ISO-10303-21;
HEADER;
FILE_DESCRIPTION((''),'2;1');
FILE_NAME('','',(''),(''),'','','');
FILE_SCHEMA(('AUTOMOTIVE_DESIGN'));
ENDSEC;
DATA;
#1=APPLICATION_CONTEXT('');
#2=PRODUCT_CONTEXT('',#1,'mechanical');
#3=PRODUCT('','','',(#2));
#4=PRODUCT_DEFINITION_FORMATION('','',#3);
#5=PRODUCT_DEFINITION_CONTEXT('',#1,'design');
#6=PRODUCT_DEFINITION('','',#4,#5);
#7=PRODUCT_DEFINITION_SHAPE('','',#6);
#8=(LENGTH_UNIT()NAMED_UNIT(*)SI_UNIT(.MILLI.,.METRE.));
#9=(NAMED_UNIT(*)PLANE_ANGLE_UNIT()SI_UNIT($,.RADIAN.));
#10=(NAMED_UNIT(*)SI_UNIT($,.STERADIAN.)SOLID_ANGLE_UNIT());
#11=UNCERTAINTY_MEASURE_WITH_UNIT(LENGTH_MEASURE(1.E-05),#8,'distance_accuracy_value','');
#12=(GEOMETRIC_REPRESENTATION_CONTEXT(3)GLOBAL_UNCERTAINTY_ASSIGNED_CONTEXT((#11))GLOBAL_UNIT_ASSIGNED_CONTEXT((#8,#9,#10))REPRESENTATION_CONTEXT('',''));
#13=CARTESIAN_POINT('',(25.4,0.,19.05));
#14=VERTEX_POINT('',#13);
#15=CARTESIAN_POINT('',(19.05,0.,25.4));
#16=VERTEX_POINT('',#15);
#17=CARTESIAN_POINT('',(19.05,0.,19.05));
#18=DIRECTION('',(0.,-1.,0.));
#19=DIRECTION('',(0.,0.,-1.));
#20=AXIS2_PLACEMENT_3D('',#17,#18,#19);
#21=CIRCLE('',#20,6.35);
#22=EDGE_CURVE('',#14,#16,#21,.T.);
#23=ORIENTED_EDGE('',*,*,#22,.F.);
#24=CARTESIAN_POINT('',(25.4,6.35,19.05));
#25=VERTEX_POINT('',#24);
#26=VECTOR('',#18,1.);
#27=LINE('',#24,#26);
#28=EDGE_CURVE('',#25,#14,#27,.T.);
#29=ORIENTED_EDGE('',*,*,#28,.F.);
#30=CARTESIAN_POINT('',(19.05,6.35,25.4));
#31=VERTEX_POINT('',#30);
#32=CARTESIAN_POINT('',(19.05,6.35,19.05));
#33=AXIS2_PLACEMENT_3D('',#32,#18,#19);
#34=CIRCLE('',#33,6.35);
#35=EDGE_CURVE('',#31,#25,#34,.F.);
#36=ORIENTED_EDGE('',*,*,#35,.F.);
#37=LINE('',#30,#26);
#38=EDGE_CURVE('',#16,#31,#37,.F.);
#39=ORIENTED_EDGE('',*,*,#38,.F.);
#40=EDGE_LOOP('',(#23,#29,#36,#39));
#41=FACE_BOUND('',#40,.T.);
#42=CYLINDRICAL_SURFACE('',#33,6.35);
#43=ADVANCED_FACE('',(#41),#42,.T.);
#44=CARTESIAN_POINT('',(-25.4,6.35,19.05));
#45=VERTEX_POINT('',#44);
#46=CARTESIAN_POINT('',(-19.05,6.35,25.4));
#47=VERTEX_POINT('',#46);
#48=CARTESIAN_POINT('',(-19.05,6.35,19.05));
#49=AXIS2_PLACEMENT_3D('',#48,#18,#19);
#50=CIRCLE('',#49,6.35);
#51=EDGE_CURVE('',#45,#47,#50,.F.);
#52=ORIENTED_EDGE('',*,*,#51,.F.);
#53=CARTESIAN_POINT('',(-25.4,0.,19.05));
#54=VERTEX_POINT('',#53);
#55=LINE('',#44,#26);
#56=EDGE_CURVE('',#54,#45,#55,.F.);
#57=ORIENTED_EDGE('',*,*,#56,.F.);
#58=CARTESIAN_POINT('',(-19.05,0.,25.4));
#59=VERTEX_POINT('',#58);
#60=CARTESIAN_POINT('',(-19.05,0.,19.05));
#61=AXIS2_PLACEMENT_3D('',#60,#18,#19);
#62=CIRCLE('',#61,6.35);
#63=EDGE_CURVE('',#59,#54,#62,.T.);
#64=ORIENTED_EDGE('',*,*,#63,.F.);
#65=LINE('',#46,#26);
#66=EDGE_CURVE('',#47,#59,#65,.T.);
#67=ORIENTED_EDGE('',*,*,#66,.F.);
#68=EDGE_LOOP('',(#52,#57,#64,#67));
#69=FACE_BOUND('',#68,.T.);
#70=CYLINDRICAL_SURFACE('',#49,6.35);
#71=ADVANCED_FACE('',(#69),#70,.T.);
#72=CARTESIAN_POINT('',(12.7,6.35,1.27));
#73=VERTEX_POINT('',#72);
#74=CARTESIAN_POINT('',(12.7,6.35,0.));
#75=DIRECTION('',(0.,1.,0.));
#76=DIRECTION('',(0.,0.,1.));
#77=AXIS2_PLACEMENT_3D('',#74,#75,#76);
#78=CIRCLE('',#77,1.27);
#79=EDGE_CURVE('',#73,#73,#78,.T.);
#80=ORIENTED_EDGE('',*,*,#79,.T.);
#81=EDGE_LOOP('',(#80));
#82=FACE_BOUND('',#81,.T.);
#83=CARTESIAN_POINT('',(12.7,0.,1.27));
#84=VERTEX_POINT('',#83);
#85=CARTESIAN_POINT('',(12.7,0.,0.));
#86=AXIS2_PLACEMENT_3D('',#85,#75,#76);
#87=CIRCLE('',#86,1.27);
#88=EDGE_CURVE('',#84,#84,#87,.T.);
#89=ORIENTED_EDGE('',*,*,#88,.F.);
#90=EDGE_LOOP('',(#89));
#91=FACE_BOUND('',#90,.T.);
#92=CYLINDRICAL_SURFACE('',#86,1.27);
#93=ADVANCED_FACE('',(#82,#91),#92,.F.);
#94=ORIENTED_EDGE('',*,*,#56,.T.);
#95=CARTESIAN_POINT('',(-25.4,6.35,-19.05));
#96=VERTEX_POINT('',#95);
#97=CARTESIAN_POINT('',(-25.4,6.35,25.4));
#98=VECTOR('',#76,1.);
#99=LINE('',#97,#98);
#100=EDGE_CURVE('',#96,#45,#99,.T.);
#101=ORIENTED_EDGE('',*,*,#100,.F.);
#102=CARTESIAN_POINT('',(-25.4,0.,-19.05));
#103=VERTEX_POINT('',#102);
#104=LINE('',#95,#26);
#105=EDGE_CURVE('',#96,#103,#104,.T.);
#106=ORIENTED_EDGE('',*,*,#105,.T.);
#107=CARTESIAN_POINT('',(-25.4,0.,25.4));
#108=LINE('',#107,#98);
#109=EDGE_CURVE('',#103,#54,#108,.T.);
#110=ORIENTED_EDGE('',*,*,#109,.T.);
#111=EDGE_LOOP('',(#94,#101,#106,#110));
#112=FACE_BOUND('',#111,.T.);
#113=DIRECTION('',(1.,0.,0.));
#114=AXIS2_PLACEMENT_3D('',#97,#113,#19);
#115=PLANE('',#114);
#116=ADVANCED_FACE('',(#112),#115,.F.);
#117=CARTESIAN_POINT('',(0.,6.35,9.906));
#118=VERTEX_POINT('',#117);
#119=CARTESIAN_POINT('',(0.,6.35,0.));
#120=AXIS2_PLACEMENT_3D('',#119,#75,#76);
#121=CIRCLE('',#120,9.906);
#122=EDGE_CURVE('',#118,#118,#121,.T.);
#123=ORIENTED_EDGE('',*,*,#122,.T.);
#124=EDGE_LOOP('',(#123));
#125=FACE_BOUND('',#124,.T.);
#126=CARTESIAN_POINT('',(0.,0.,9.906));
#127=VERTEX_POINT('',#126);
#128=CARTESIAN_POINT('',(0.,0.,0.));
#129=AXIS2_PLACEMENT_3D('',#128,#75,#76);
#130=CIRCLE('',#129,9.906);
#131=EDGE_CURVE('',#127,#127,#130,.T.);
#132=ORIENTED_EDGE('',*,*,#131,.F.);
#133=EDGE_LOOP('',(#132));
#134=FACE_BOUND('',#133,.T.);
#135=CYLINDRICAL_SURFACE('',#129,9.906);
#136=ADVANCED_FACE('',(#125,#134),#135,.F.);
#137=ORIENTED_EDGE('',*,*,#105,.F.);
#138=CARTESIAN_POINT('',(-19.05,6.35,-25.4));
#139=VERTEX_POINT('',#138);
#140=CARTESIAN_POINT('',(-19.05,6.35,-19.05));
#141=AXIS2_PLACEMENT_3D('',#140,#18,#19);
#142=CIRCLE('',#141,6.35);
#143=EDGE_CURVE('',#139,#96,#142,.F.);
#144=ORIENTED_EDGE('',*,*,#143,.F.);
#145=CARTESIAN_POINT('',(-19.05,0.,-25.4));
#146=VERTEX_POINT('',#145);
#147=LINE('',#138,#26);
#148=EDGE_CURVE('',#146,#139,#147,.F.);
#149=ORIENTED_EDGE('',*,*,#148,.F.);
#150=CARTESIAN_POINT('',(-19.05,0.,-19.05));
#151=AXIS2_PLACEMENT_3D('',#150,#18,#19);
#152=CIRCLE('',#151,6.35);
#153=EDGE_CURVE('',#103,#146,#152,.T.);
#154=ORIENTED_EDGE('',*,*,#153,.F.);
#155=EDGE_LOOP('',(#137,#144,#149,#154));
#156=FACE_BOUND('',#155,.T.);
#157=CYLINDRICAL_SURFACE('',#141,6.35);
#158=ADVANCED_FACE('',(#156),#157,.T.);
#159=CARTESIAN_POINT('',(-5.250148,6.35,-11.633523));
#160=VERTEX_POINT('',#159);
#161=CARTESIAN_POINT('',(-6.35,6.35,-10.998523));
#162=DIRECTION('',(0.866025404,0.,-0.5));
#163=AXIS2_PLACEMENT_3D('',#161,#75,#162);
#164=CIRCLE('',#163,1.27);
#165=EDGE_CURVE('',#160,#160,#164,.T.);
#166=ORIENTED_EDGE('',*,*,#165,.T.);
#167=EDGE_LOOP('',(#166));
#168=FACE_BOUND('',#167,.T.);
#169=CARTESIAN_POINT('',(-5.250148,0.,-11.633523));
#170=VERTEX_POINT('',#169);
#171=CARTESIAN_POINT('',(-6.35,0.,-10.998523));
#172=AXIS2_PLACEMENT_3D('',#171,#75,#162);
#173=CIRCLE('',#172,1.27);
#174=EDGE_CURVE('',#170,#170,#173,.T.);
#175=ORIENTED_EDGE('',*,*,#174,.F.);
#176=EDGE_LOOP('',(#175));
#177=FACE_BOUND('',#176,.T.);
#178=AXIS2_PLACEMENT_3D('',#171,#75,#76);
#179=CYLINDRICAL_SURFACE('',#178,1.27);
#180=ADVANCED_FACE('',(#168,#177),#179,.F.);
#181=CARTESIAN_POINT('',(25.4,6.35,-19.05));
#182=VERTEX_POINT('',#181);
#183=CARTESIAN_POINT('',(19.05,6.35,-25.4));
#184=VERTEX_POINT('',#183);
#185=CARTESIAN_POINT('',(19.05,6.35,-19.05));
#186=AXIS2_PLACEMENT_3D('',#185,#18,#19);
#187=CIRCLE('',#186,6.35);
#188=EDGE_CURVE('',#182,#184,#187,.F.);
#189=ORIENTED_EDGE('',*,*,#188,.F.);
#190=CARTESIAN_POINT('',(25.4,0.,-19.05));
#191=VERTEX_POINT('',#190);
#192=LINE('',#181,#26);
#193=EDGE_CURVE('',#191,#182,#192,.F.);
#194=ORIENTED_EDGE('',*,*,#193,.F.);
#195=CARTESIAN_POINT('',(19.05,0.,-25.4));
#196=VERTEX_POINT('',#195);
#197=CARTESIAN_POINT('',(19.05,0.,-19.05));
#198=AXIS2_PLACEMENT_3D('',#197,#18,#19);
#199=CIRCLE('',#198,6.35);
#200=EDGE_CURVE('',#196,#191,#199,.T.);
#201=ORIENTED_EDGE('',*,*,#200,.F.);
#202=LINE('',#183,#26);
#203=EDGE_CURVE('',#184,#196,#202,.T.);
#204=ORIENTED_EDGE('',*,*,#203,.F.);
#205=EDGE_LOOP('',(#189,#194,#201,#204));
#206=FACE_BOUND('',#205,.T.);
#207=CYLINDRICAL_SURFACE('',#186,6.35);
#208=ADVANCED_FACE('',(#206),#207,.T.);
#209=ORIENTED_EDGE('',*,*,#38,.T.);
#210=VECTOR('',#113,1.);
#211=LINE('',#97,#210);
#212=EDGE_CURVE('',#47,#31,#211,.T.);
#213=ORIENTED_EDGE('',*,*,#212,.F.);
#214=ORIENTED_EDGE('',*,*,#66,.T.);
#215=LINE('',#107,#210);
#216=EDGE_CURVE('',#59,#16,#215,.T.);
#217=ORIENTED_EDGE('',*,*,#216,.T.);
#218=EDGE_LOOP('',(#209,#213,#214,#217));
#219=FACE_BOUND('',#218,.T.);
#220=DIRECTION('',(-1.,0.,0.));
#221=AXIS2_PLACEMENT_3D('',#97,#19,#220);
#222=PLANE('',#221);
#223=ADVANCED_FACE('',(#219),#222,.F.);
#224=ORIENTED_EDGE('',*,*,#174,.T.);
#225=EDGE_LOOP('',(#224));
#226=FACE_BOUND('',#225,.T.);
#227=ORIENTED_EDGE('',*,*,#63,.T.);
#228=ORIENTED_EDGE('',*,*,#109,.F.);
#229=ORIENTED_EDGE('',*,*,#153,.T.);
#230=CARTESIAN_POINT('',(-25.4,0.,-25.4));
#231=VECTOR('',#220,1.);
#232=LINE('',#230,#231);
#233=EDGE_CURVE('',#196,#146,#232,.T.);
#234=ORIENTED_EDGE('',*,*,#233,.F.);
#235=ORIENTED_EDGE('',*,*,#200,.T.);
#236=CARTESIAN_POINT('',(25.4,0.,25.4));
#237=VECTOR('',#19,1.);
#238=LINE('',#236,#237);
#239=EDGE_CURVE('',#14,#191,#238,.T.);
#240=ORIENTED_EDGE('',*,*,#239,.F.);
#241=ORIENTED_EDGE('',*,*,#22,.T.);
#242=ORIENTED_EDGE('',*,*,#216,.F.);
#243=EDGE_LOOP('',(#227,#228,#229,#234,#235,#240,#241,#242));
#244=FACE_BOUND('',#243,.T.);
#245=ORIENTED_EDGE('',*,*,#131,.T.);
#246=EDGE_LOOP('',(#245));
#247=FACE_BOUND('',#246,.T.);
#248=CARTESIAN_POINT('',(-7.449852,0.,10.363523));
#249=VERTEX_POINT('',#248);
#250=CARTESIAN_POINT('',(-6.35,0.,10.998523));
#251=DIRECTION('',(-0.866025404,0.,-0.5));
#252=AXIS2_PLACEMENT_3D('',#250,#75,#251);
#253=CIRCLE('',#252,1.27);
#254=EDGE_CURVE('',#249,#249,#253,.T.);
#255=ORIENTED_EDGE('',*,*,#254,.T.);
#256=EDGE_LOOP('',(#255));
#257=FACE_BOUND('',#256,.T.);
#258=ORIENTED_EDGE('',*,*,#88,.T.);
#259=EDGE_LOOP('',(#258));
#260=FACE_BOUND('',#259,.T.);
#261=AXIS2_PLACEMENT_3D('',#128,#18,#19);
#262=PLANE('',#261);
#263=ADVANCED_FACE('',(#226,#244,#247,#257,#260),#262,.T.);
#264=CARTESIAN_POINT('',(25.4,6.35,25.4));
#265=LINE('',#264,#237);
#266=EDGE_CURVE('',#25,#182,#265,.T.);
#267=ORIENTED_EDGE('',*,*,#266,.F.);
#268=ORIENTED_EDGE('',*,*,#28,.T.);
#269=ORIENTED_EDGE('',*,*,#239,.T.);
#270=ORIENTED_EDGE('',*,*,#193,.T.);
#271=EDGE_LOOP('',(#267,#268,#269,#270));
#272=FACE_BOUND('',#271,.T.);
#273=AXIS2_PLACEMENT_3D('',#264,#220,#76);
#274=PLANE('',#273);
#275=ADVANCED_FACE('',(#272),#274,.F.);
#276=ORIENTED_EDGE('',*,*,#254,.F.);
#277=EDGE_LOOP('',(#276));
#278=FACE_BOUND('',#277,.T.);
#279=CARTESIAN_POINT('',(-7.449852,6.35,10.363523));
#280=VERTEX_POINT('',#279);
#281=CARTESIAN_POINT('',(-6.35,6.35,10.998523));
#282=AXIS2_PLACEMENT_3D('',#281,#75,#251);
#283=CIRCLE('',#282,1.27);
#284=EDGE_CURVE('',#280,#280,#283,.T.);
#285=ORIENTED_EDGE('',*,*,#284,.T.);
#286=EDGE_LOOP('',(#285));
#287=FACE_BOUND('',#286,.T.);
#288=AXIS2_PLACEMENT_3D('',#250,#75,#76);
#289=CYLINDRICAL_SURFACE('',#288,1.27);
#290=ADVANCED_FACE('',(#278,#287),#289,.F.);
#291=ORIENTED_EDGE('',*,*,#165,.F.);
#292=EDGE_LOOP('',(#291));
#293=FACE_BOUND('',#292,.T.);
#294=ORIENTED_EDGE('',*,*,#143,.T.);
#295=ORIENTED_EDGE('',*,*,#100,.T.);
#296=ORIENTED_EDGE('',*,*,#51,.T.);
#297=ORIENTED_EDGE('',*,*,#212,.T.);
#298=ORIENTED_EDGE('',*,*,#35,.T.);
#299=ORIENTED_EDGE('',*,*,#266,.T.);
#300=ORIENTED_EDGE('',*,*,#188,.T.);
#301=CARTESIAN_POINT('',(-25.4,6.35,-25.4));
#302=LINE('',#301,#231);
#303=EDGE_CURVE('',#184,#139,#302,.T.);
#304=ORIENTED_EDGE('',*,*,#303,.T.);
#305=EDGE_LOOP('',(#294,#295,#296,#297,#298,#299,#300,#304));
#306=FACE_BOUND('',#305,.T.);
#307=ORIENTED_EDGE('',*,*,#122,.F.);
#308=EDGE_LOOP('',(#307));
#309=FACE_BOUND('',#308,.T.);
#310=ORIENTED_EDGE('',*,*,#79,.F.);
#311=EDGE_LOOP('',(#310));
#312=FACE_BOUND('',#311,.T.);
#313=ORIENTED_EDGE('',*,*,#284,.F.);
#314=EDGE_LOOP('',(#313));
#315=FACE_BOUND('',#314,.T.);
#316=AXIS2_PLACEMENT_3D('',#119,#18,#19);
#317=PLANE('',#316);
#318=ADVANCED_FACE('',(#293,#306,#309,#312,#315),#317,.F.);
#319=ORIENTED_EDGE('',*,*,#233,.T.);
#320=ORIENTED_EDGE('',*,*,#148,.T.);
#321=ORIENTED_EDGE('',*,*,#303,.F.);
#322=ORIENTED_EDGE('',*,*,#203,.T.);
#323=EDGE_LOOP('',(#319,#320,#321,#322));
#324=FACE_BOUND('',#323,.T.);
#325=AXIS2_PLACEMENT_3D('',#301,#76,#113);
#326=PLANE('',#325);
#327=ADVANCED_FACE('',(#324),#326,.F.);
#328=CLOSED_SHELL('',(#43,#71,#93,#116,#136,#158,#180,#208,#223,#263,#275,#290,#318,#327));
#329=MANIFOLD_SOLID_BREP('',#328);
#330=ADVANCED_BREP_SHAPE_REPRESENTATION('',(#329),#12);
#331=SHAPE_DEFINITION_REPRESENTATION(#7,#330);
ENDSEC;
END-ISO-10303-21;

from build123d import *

# Parameters (mm, degrees)
SKETCH1_W           = 50.8
SKETCH1_H           = 50.8
BOSS_EXTRUDE1_DEPTH = 6.35
SKETCH2_R           = 9.906
CUT_EXTRUDE1_DEPTH  = 7.35
SKETCH3_R           = 1.27
CUT_EXTRUDE2_DEPTH  = 7.35
CIRPATTERN1_COUNT   = 3
FILLET1_R           = 6.35


with BuildPart() as part:
    # Sketch1 → Boss-Extrude1 (new body)
    with BuildSketch(Plane(origin=(0, 0, 0), x_dir=(1, 0, 0), z_dir=(0, 1, 0))):
        Rectangle(SKETCH1_W, SKETCH1_H)
    extrude(amount=BOSS_EXTRUDE1_DEPTH)

    # Sketch2 → Cut-Extrude1 (cut, through all)
    with BuildSketch(Plane(origin=(0, 6.35, 0), x_dir=(1, 0, 0), z_dir=(0, 1, 0))):
        Circle(SKETCH2_R)
    extrude(amount=-CUT_EXTRUDE1_DEPTH, mode=Mode.SUBTRACT)

    # Sketch3 → Cut-Extrude2 (cut, through all)
    with BuildSketch(Plane(origin=(0, 6.35, 0), x_dir=(1, 0, 0), z_dir=(0, 1, 0))):
        with Locations((12.7, 0)):
            Circle(SKETCH3_R)
    cut_extrude2 = extrude(amount=-CUT_EXTRUDE2_DEPTH, mode=Mode.SUBTRACT)

    # CirPattern1: Cut-Extrude2 ×3 about axis
    cirpattern1_axis = Axis((0, 0, 0), (0, 1, 0))
    for i in range(1, CIRPATTERN1_COUNT):
        add(cut_extrude2.rotate(cirpattern1_axis, i * 360 / CIRPATTERN1_COUNT), mode=Mode.SUBTRACT)

    # Fillet1
    fillet1_edges = [part.edges().sort_by_distance(p)[0] for p in [
        (25.4, 3.175, 25.4),
        (-25.4, 3.175, 25.4),
        (-25.4, 3.175, -25.4),
        (25.4, 3.175, -25.4),
    ]]
    fillet(fillet1_edges, radius=FILLET1_R)


solid = part.part
